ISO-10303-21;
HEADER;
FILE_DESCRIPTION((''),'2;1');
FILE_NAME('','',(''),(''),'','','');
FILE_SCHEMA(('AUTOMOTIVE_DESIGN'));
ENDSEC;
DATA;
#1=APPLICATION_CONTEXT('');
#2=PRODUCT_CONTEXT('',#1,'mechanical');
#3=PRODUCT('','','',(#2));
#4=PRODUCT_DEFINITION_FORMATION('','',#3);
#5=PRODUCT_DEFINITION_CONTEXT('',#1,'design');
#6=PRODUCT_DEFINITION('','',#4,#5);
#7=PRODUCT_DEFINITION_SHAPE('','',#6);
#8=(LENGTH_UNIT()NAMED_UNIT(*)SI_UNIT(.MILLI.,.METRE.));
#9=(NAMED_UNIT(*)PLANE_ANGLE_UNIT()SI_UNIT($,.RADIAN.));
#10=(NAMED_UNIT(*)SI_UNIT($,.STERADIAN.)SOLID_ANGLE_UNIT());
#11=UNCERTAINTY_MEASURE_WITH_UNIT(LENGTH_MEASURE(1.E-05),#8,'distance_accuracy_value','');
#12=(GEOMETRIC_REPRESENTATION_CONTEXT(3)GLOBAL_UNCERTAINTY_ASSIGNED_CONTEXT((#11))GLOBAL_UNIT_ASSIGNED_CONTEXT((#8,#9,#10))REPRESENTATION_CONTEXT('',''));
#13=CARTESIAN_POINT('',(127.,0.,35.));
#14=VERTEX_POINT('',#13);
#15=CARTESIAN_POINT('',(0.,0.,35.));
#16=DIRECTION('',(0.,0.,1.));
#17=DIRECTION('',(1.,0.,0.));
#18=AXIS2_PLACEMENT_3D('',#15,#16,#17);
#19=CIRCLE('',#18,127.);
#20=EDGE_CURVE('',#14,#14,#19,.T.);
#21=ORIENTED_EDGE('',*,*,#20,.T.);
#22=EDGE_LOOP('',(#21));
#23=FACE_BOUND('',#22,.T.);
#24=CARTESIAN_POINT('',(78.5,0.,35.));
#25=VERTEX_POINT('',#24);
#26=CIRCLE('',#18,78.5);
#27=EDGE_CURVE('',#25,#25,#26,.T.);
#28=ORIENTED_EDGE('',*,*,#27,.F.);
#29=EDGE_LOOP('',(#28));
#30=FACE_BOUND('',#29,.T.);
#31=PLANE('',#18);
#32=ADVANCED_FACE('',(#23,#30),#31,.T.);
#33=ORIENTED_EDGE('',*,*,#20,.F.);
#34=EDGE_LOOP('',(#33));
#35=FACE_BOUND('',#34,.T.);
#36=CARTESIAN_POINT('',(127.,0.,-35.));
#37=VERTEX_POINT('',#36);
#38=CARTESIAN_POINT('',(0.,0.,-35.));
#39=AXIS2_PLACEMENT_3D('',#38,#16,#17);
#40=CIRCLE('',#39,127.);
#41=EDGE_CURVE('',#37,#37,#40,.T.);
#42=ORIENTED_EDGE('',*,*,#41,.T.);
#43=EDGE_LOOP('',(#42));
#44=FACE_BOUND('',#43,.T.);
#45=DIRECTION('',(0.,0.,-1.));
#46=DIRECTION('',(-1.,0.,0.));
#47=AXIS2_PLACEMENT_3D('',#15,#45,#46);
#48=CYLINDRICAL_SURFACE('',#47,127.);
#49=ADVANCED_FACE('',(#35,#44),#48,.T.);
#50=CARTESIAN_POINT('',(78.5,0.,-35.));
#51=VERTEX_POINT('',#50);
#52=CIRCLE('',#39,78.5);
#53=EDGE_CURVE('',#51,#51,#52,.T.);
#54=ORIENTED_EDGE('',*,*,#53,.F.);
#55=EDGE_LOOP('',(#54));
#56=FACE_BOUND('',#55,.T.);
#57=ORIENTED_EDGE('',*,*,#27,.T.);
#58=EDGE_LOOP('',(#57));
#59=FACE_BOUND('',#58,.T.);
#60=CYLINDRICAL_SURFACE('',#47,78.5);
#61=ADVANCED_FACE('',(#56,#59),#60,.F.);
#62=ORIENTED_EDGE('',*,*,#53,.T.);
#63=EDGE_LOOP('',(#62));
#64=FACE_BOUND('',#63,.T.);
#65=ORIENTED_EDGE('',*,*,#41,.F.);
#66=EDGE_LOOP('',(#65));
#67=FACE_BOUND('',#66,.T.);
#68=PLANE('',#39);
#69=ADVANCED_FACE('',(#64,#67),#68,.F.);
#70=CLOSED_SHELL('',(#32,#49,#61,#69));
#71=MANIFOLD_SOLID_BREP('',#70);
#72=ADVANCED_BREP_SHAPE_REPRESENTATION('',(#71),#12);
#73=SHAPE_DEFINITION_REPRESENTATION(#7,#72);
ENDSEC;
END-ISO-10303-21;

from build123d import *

# Parameters (mm, degrees)
TIRE_REFERENCE_START = -35
SKETCH_1_R           = 127
SKETCH_1_R_2         = 78.5
TIRE_REFERENCE_DEPTH = 70


with BuildPart() as part:
    # Эскиз1 → Tire_reference (new body)
    with BuildSketch(Plane.XY.offset(TIRE_REFERENCE_START)):
        Circle(SKETCH_1_R)
        Circle(SKETCH_1_R_2, mode=Mode.SUBTRACT)
    extrude(amount=TIRE_REFERENCE_DEPTH)


solid = part.part
